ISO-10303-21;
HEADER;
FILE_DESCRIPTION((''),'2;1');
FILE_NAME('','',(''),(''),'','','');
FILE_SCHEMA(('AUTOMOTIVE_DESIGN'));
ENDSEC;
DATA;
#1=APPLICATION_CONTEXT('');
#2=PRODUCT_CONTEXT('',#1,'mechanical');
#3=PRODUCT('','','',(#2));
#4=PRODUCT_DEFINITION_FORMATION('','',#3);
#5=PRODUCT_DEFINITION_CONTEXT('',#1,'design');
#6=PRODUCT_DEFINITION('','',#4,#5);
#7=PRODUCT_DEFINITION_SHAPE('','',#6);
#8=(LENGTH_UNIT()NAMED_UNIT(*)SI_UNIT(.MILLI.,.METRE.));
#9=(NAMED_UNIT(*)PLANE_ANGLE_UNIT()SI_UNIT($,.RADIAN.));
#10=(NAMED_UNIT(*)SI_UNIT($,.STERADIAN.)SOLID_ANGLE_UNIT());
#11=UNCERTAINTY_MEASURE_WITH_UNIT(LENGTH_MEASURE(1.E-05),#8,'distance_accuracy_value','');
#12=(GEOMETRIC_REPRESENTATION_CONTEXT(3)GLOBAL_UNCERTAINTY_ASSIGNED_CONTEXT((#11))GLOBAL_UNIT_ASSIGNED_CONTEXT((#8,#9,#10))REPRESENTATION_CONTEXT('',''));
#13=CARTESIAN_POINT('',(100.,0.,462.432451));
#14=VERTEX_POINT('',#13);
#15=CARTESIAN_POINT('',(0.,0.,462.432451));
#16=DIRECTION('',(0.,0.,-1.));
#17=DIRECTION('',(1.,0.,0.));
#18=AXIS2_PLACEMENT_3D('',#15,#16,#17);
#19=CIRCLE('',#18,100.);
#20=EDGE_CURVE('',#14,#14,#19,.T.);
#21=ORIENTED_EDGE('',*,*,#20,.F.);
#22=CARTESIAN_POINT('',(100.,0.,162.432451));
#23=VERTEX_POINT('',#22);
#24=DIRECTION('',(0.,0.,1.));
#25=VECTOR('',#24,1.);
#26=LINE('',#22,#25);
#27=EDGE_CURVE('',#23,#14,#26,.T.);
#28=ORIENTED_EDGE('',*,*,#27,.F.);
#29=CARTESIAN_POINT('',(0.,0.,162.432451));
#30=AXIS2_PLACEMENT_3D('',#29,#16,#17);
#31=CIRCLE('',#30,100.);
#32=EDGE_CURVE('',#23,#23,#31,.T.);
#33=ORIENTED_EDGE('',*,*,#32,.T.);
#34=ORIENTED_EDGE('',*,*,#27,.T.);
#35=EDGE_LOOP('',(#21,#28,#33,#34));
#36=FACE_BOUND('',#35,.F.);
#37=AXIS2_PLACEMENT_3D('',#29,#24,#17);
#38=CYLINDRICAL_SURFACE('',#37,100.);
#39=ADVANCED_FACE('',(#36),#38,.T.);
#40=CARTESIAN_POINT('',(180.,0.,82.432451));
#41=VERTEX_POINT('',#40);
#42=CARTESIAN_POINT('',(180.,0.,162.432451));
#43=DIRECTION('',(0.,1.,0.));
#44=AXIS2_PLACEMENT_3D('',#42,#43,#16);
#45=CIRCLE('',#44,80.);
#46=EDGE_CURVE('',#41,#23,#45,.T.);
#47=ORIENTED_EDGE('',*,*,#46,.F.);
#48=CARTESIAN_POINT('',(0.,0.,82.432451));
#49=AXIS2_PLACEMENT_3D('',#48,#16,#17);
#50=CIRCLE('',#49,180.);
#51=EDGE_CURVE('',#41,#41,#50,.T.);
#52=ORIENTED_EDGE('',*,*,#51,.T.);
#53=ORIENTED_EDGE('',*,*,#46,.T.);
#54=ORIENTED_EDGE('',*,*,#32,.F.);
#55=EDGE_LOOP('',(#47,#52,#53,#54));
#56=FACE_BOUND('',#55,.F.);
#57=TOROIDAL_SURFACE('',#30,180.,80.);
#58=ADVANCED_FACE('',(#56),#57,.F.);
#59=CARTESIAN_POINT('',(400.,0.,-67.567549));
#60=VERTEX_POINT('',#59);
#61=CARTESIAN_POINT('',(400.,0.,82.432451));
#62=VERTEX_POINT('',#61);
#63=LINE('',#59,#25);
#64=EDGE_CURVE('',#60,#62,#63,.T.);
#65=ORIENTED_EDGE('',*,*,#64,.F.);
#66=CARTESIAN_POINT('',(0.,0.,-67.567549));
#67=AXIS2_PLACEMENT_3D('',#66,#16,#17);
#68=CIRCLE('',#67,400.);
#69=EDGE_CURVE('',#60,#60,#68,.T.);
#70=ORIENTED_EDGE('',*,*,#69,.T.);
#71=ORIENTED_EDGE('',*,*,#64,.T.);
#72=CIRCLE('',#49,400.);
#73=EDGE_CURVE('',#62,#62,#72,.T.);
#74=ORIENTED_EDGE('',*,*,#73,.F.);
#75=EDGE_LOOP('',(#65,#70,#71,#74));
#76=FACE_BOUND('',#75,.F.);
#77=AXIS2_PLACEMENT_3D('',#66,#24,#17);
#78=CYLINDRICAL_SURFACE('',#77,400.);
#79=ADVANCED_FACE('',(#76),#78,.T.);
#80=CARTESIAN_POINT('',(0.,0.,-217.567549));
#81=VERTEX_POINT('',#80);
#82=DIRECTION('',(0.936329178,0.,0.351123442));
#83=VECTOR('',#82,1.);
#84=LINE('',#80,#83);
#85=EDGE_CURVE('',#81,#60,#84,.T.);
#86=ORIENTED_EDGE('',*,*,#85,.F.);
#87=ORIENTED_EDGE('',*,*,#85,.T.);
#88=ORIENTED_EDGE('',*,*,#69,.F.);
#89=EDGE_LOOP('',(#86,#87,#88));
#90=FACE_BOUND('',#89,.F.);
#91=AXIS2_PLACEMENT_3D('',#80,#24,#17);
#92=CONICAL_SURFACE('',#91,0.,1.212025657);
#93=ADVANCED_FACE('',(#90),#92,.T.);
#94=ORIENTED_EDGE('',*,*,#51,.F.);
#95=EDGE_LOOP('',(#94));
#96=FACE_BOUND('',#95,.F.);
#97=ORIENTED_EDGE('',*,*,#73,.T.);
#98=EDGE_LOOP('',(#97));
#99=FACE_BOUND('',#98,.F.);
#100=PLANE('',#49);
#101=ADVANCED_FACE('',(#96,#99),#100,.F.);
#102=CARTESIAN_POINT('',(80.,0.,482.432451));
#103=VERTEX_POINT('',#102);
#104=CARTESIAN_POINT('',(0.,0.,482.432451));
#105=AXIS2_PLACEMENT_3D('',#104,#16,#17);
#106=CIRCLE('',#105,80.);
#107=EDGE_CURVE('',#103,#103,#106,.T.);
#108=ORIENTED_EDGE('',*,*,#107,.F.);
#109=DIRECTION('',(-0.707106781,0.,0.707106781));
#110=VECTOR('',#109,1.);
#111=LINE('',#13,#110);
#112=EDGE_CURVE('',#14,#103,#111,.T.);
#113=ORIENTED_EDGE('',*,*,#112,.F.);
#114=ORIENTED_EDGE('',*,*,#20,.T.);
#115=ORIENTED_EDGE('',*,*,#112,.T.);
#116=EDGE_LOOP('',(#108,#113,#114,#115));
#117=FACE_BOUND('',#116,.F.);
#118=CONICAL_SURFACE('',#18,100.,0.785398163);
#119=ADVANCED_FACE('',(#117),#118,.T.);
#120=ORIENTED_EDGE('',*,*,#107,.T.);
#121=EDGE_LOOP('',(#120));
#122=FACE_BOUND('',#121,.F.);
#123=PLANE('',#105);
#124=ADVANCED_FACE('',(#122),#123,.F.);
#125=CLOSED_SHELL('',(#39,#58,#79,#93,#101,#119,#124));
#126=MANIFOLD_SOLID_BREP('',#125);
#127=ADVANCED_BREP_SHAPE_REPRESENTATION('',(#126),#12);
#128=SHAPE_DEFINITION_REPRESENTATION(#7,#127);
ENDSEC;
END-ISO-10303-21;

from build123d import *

# Parameters (mm, degrees)
F2_SIZE = 20


with BuildPart() as f1:
    # F0 (on Front) → F1 (revolve)
    with BuildSketch(Plane.XZ):
        with BuildLine():
            Line((100, 162.432451), (100, 482.432451))
            Line((100, 482.432451), (0, 482.432451))
            Line((0, 482.432451), (0, -217.567549))
            Line((0, -217.567549), (400, -67.567549))
            Line((400, -67.567549), (400, 82.432451))
            Line((400, 82.432451), (180, 82.432451))
            ThreePointArc((180, 82.432451), (123.431458, 105.863908), (100, 162.432451))
        make_face()
    revolve(axis=Axis((0, 0, 132.432451), (0, 0, -1)))

    # F2
    f2_edges = [f1.edges().sort_by_distance(p)[0] for p in [
        (-100, 0, 482.432451),
    ]]
    chamfer(f2_edges, length=F2_SIZE)


solid = f1.part
